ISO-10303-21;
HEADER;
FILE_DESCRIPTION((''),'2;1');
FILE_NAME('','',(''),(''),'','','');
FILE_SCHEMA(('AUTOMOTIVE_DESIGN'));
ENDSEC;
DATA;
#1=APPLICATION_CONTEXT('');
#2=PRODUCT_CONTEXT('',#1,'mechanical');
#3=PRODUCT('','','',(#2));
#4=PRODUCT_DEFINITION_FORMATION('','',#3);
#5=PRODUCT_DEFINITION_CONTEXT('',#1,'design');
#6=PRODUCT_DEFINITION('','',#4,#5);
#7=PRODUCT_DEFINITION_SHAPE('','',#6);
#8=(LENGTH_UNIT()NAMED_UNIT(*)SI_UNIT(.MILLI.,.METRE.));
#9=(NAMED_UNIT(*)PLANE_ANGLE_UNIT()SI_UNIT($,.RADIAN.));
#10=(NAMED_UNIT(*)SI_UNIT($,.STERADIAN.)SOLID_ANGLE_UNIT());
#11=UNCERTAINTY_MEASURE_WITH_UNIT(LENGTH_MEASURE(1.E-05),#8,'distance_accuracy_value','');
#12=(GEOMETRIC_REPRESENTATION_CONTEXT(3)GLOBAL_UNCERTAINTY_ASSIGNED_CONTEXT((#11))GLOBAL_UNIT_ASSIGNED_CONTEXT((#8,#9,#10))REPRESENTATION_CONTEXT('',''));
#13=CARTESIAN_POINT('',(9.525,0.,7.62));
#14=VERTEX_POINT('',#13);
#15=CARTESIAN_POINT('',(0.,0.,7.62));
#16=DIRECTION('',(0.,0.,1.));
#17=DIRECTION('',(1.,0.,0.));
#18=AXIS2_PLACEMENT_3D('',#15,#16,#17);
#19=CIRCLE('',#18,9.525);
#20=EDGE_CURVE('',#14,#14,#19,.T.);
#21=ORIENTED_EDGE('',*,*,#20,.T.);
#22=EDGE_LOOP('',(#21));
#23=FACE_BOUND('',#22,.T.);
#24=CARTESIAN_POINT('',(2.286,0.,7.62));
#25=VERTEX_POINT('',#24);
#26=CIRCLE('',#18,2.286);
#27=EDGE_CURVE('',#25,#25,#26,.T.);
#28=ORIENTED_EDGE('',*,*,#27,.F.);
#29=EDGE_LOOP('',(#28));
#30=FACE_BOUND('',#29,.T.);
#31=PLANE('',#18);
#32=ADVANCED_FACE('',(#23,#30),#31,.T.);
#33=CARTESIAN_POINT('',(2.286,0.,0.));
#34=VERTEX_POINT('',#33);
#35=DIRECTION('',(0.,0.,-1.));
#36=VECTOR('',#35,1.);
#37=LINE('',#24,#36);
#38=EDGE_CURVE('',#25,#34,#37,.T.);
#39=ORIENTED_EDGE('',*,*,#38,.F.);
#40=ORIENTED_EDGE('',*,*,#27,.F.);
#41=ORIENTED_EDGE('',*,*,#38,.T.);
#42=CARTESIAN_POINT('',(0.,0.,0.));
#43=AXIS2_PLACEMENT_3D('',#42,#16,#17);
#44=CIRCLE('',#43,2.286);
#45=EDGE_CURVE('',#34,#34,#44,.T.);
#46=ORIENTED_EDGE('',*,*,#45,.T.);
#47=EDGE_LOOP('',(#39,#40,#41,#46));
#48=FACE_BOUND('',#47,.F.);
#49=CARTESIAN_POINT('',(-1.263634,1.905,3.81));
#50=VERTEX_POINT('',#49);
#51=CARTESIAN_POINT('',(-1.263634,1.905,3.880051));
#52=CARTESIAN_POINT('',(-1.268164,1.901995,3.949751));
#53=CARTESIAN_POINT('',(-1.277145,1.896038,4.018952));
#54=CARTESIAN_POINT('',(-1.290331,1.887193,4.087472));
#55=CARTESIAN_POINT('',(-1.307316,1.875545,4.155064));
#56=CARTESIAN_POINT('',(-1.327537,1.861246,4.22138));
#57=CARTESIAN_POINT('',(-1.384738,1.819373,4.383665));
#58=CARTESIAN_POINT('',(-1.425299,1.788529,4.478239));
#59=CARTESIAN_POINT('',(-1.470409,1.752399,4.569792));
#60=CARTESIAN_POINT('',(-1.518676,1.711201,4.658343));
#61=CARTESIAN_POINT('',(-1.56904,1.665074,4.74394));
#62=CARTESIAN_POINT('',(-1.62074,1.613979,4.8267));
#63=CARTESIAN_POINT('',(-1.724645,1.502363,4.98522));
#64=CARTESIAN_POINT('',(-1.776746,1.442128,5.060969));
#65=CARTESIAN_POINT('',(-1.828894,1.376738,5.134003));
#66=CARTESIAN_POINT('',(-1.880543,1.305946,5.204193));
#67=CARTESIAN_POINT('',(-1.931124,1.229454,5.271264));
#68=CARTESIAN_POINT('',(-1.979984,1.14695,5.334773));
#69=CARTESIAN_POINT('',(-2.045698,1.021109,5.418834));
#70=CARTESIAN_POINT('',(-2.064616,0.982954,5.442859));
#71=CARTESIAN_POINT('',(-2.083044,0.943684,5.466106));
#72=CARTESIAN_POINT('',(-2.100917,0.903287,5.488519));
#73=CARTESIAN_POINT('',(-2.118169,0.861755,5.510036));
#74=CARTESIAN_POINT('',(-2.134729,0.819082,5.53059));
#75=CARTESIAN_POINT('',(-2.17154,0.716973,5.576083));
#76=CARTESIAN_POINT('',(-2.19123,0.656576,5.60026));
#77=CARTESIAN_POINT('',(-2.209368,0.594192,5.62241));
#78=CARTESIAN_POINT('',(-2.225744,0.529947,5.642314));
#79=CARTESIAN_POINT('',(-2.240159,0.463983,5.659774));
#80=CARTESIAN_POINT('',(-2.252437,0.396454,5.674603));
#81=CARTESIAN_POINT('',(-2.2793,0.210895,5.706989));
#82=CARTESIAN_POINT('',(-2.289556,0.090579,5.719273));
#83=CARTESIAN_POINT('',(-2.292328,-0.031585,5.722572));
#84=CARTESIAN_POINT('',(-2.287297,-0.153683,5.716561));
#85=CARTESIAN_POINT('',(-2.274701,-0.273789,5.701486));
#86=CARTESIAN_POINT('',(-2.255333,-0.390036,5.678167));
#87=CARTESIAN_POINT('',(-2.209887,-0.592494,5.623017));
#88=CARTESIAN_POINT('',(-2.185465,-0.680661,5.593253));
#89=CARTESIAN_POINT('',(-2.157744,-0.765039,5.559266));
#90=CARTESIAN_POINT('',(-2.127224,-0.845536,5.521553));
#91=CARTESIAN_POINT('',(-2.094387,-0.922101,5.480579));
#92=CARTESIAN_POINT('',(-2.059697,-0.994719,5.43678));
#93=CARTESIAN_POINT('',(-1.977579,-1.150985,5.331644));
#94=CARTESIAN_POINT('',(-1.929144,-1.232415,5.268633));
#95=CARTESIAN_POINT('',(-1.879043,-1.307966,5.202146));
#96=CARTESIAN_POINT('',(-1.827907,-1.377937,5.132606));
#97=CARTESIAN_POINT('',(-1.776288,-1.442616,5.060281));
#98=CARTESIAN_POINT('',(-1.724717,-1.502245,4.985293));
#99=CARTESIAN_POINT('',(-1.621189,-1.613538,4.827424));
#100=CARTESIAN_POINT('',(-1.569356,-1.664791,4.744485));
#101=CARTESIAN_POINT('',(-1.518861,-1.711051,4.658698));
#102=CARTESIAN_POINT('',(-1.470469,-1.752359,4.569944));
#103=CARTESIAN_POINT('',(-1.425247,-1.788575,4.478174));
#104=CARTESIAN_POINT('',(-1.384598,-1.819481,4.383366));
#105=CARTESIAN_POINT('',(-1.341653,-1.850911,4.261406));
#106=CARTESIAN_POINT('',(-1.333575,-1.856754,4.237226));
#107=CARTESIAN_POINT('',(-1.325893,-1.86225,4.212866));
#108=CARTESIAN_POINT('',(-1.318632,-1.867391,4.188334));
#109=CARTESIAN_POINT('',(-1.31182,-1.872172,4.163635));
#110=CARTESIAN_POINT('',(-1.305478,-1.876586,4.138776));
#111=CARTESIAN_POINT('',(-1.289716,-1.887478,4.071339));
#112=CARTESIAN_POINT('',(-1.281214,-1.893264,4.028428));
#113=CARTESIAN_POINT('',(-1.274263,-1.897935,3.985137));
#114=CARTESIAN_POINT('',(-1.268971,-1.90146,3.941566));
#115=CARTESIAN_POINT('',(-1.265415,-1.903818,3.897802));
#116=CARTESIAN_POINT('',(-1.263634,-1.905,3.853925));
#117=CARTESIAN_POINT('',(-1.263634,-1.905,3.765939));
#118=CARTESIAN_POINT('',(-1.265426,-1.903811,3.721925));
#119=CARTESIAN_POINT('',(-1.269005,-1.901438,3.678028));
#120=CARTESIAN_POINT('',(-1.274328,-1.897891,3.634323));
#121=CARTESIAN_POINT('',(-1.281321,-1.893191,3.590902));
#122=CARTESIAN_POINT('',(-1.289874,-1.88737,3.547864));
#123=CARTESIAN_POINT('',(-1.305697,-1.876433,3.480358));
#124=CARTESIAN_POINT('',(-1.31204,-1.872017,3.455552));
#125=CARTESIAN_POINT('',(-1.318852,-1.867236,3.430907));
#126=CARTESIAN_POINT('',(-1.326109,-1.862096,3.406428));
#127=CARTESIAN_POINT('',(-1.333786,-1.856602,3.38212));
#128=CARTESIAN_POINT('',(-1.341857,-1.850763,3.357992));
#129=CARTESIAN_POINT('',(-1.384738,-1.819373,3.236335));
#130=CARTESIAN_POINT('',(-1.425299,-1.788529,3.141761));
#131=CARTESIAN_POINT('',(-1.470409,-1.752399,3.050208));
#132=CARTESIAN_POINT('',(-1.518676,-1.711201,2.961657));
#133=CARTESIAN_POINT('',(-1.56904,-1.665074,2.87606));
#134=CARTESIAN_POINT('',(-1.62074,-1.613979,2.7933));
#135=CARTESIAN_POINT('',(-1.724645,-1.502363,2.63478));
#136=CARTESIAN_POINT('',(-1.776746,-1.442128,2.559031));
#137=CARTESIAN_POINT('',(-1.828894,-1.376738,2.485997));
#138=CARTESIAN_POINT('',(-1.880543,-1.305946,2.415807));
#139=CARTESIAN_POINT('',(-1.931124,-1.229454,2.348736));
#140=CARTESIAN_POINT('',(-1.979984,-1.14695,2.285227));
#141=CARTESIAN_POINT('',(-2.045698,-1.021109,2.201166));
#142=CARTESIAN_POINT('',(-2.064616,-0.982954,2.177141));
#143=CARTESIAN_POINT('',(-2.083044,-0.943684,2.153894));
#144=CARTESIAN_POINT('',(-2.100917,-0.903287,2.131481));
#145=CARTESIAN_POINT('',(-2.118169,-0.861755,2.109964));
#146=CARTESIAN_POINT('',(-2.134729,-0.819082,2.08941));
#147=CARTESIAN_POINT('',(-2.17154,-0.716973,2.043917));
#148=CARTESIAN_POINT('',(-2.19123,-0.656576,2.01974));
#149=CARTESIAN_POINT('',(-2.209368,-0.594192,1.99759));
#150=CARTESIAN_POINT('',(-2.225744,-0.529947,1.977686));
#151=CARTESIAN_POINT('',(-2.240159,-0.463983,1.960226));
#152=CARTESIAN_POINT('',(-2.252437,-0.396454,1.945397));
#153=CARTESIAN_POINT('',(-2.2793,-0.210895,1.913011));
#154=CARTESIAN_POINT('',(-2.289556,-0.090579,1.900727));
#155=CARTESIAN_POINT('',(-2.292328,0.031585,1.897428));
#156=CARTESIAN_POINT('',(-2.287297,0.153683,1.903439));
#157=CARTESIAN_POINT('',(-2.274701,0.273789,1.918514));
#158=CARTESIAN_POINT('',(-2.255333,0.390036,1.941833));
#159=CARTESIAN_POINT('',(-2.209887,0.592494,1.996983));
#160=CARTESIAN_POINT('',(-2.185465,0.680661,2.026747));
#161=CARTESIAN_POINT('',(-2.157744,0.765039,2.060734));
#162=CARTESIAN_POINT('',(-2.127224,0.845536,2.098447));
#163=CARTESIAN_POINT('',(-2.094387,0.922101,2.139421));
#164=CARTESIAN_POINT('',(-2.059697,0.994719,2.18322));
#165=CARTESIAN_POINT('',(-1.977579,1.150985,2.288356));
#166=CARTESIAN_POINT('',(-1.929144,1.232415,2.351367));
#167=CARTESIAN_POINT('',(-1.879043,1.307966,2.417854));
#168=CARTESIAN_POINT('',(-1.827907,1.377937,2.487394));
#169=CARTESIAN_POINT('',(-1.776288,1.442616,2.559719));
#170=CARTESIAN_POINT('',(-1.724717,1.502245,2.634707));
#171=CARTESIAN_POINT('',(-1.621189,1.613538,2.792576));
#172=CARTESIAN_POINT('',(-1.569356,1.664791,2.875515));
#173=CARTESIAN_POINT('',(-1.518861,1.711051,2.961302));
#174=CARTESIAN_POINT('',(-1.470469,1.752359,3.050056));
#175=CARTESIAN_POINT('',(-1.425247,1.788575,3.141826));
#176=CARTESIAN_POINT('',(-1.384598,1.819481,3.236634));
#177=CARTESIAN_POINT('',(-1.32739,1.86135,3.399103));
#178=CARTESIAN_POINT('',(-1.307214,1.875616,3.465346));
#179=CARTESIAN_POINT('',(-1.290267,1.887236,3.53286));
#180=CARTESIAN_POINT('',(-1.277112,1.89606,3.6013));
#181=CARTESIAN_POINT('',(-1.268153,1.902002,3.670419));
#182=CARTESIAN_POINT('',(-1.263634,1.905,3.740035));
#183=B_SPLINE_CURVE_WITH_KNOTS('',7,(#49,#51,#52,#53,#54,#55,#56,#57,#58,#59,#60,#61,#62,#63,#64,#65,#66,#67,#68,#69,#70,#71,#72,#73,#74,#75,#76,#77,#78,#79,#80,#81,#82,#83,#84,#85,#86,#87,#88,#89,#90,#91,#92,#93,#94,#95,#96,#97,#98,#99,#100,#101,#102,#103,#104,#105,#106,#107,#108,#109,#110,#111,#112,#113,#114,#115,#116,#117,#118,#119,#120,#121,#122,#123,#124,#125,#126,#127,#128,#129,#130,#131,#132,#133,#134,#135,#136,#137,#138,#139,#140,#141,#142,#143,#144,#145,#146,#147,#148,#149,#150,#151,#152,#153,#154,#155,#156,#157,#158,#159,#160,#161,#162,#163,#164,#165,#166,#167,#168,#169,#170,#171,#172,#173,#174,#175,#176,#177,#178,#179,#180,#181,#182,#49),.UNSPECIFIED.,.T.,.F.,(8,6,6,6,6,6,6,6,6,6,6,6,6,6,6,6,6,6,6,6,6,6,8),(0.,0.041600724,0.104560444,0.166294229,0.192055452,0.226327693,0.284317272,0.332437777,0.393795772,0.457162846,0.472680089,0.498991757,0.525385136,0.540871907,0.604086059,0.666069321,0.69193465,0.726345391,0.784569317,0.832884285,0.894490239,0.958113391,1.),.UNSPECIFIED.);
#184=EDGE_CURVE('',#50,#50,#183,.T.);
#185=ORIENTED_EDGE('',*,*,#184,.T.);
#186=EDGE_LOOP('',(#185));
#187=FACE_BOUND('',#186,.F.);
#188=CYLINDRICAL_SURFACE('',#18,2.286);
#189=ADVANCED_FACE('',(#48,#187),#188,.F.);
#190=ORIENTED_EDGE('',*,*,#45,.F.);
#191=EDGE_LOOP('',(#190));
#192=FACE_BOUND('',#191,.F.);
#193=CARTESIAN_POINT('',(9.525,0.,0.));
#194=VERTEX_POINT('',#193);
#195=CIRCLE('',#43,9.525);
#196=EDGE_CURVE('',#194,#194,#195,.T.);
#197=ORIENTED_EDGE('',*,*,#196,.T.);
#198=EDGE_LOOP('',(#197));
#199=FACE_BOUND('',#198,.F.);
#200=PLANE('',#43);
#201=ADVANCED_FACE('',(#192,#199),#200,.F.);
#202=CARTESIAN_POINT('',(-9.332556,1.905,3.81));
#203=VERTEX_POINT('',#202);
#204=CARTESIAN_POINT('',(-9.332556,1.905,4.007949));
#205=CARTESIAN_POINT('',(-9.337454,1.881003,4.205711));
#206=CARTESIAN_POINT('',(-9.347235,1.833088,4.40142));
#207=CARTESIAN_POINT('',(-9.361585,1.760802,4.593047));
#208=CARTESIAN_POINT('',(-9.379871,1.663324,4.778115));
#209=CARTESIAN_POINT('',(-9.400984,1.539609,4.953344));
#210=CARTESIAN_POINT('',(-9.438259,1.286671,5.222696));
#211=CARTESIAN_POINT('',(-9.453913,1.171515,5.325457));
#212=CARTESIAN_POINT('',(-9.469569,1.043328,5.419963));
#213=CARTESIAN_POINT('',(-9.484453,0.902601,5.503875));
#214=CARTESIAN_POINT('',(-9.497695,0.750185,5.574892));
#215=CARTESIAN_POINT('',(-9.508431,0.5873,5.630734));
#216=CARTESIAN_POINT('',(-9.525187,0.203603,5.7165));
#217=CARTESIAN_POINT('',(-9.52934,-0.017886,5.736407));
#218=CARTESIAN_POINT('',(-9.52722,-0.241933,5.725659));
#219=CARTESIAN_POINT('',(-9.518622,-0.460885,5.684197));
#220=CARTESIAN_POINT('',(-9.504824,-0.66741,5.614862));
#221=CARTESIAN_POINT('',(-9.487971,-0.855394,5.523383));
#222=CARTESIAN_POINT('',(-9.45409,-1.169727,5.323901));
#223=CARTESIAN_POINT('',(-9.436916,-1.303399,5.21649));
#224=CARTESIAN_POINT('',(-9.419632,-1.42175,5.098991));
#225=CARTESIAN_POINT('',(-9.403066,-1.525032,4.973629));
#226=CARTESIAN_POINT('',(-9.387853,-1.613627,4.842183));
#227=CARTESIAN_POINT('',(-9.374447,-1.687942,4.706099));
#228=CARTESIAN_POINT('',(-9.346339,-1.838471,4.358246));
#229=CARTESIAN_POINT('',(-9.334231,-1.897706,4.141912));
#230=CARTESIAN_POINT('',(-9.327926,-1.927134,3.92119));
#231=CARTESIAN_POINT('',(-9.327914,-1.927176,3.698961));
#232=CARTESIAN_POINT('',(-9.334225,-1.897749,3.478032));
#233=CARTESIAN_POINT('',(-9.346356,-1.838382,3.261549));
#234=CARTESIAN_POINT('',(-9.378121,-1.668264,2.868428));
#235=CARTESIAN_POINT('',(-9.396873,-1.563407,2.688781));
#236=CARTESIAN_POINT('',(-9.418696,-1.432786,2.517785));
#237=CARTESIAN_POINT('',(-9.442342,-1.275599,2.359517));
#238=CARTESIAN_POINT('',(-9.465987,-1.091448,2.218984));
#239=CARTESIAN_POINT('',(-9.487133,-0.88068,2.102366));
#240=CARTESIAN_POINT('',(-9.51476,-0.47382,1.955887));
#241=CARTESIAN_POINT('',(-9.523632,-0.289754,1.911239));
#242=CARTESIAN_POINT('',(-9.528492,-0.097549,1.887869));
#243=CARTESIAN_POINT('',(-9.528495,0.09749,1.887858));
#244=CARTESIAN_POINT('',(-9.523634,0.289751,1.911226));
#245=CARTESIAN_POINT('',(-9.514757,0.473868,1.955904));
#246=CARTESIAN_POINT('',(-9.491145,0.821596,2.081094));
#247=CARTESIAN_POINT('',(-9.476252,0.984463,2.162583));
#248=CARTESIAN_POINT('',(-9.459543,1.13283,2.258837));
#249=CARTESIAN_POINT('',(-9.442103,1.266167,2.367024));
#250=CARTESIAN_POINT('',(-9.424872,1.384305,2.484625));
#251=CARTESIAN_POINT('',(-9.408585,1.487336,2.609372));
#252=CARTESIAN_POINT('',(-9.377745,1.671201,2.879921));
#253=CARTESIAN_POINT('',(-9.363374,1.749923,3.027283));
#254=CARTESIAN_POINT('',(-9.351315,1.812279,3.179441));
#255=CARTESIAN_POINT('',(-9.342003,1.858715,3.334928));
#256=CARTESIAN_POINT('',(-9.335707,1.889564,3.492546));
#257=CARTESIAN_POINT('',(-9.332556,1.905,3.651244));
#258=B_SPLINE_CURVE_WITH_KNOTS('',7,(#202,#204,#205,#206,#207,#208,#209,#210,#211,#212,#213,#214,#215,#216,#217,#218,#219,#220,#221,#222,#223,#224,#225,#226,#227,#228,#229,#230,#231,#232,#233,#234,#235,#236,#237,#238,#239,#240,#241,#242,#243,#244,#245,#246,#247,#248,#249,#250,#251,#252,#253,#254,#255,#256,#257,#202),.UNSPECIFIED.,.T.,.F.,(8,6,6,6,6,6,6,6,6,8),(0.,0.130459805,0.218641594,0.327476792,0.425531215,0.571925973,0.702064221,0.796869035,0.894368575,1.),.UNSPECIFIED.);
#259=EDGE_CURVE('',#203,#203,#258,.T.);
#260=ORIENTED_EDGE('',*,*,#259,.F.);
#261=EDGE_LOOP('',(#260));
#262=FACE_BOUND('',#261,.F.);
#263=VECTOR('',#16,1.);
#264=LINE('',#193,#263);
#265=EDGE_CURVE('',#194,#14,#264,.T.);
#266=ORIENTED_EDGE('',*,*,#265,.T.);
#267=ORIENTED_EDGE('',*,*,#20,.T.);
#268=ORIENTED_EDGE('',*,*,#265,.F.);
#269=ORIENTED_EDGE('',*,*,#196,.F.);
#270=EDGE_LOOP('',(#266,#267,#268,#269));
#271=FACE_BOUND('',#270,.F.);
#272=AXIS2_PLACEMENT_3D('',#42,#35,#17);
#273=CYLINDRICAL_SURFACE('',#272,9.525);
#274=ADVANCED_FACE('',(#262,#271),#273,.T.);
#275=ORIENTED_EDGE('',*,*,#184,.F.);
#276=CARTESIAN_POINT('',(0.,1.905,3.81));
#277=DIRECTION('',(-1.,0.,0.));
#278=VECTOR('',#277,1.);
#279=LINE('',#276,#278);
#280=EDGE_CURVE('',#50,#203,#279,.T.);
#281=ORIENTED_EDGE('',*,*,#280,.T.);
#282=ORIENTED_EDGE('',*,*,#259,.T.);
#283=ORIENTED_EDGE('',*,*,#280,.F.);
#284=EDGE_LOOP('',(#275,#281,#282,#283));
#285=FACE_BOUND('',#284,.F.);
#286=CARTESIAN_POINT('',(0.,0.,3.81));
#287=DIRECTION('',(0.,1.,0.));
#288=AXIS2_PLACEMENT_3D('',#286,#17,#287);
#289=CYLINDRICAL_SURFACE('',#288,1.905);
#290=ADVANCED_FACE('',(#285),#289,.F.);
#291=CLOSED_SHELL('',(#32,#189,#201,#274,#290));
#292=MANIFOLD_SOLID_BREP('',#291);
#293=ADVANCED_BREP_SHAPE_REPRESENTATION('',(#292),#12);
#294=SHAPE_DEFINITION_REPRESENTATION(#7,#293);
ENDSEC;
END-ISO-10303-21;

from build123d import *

# Parameters (mm, degrees)
F0_R     = 9.525
F1_DEPTH = 7.62
F2_R     = 2.286
F3_DEPTH = 25.4
F4_R     = 1.905
F5_DEPTH = 25.4


with BuildPart() as f1:
    # F0 (on Top) → F1 (new body)
    with BuildSketch(Plane.XY):
        Circle(F0_R)
    extrude(amount=F1_DEPTH)

    # F2 (on face) → F3 (cut)
    with BuildSketch(Plane.XY.offset(7.62)):
        Circle(F2_R)
    extrude(amount=-F3_DEPTH, mode=Mode.SUBTRACT)

    # F4 (on Right) → F5 (cut)
    with BuildSketch(Plane.YZ):
        with Locations((0, 3.81)):
            Circle(F4_R)
    extrude(amount=-F5_DEPTH, mode=Mode.SUBTRACT)


solid = f1.part
